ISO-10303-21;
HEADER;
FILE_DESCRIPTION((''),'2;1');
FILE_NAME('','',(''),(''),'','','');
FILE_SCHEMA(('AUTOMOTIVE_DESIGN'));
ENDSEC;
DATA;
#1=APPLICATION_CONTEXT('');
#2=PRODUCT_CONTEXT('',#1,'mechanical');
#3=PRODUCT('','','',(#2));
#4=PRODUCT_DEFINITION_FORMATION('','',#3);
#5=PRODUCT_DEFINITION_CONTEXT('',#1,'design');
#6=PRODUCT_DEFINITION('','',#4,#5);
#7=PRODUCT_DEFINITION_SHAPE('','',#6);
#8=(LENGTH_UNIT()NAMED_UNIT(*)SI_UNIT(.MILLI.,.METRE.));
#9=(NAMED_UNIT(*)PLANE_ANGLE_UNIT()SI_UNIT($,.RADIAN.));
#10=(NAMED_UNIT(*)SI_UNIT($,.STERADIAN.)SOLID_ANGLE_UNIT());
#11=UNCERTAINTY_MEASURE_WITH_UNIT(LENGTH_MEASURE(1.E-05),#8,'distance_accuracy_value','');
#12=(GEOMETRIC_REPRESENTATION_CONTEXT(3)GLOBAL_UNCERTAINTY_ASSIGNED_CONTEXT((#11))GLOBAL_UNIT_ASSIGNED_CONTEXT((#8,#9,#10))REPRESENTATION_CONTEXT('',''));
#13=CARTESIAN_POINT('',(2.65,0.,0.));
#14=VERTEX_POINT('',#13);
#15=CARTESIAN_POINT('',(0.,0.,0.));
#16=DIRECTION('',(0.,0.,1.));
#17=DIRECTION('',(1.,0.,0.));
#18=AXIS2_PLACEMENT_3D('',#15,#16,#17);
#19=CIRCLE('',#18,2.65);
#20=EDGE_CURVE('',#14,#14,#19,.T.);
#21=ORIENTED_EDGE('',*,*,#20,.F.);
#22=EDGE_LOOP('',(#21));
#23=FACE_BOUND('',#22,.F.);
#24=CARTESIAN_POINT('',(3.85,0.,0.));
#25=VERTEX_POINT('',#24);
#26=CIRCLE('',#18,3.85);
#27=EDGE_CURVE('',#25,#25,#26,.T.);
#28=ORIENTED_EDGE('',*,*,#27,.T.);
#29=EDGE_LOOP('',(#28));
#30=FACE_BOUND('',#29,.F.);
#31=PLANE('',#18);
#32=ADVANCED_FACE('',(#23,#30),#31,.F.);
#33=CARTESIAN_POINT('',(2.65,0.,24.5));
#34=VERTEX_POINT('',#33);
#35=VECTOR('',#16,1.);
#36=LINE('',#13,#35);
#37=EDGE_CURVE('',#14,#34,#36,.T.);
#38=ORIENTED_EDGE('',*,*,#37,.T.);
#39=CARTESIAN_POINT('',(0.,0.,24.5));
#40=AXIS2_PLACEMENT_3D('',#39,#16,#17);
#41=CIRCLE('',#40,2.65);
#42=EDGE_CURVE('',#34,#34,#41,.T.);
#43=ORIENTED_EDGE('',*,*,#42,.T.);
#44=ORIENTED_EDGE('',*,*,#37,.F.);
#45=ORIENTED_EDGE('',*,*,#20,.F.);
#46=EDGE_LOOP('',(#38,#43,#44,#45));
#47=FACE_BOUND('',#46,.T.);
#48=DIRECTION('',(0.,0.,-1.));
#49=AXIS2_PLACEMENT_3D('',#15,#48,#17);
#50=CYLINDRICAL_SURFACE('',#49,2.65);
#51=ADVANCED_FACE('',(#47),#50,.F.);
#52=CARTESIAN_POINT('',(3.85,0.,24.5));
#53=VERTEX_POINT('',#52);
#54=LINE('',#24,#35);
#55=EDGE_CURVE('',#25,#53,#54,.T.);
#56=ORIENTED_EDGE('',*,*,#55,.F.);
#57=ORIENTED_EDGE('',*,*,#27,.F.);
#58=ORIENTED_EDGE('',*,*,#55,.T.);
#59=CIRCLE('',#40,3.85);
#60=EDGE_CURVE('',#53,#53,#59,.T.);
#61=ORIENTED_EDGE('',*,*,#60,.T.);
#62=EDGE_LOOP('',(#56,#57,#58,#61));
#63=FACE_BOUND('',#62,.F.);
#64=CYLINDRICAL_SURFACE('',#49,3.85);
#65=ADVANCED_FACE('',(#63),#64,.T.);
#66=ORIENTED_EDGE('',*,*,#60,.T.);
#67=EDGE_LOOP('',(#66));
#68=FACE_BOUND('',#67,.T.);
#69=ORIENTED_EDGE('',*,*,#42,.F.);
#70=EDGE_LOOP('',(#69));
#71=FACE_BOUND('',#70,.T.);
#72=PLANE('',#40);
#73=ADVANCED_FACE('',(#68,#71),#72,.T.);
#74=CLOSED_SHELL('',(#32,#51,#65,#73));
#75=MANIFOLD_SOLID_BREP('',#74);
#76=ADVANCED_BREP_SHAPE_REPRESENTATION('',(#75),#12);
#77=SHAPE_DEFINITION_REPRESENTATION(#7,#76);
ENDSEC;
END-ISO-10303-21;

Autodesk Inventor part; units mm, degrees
ref_plane "YZ Plane" through (0, 0, 0) normal (1, 0, 0) x (0, 1, 0)
ref_plane "XZ Plane" through (0, 0, 0) normal (0, 1, 0) x (-1, 0, 0)
ref_plane "XY Plane" through (0, 0, 0) normal (0, 0, 1) x (1, 0, 0)
sketch "Sketch1" plane through (0, 0, 0) normal (0, 0, 1) x (1, 0, 0)
  circle A0 centre (0, 0) radius 2.65
  circle A1 centre (0, 0) radius 3.85
  dimension "d0" = 5.3
  dimension "d1" = 7.7
extrude "Extrusion1" add sketch "Sketch1" along normal blind 24.5
properties part number "HülseM8"
